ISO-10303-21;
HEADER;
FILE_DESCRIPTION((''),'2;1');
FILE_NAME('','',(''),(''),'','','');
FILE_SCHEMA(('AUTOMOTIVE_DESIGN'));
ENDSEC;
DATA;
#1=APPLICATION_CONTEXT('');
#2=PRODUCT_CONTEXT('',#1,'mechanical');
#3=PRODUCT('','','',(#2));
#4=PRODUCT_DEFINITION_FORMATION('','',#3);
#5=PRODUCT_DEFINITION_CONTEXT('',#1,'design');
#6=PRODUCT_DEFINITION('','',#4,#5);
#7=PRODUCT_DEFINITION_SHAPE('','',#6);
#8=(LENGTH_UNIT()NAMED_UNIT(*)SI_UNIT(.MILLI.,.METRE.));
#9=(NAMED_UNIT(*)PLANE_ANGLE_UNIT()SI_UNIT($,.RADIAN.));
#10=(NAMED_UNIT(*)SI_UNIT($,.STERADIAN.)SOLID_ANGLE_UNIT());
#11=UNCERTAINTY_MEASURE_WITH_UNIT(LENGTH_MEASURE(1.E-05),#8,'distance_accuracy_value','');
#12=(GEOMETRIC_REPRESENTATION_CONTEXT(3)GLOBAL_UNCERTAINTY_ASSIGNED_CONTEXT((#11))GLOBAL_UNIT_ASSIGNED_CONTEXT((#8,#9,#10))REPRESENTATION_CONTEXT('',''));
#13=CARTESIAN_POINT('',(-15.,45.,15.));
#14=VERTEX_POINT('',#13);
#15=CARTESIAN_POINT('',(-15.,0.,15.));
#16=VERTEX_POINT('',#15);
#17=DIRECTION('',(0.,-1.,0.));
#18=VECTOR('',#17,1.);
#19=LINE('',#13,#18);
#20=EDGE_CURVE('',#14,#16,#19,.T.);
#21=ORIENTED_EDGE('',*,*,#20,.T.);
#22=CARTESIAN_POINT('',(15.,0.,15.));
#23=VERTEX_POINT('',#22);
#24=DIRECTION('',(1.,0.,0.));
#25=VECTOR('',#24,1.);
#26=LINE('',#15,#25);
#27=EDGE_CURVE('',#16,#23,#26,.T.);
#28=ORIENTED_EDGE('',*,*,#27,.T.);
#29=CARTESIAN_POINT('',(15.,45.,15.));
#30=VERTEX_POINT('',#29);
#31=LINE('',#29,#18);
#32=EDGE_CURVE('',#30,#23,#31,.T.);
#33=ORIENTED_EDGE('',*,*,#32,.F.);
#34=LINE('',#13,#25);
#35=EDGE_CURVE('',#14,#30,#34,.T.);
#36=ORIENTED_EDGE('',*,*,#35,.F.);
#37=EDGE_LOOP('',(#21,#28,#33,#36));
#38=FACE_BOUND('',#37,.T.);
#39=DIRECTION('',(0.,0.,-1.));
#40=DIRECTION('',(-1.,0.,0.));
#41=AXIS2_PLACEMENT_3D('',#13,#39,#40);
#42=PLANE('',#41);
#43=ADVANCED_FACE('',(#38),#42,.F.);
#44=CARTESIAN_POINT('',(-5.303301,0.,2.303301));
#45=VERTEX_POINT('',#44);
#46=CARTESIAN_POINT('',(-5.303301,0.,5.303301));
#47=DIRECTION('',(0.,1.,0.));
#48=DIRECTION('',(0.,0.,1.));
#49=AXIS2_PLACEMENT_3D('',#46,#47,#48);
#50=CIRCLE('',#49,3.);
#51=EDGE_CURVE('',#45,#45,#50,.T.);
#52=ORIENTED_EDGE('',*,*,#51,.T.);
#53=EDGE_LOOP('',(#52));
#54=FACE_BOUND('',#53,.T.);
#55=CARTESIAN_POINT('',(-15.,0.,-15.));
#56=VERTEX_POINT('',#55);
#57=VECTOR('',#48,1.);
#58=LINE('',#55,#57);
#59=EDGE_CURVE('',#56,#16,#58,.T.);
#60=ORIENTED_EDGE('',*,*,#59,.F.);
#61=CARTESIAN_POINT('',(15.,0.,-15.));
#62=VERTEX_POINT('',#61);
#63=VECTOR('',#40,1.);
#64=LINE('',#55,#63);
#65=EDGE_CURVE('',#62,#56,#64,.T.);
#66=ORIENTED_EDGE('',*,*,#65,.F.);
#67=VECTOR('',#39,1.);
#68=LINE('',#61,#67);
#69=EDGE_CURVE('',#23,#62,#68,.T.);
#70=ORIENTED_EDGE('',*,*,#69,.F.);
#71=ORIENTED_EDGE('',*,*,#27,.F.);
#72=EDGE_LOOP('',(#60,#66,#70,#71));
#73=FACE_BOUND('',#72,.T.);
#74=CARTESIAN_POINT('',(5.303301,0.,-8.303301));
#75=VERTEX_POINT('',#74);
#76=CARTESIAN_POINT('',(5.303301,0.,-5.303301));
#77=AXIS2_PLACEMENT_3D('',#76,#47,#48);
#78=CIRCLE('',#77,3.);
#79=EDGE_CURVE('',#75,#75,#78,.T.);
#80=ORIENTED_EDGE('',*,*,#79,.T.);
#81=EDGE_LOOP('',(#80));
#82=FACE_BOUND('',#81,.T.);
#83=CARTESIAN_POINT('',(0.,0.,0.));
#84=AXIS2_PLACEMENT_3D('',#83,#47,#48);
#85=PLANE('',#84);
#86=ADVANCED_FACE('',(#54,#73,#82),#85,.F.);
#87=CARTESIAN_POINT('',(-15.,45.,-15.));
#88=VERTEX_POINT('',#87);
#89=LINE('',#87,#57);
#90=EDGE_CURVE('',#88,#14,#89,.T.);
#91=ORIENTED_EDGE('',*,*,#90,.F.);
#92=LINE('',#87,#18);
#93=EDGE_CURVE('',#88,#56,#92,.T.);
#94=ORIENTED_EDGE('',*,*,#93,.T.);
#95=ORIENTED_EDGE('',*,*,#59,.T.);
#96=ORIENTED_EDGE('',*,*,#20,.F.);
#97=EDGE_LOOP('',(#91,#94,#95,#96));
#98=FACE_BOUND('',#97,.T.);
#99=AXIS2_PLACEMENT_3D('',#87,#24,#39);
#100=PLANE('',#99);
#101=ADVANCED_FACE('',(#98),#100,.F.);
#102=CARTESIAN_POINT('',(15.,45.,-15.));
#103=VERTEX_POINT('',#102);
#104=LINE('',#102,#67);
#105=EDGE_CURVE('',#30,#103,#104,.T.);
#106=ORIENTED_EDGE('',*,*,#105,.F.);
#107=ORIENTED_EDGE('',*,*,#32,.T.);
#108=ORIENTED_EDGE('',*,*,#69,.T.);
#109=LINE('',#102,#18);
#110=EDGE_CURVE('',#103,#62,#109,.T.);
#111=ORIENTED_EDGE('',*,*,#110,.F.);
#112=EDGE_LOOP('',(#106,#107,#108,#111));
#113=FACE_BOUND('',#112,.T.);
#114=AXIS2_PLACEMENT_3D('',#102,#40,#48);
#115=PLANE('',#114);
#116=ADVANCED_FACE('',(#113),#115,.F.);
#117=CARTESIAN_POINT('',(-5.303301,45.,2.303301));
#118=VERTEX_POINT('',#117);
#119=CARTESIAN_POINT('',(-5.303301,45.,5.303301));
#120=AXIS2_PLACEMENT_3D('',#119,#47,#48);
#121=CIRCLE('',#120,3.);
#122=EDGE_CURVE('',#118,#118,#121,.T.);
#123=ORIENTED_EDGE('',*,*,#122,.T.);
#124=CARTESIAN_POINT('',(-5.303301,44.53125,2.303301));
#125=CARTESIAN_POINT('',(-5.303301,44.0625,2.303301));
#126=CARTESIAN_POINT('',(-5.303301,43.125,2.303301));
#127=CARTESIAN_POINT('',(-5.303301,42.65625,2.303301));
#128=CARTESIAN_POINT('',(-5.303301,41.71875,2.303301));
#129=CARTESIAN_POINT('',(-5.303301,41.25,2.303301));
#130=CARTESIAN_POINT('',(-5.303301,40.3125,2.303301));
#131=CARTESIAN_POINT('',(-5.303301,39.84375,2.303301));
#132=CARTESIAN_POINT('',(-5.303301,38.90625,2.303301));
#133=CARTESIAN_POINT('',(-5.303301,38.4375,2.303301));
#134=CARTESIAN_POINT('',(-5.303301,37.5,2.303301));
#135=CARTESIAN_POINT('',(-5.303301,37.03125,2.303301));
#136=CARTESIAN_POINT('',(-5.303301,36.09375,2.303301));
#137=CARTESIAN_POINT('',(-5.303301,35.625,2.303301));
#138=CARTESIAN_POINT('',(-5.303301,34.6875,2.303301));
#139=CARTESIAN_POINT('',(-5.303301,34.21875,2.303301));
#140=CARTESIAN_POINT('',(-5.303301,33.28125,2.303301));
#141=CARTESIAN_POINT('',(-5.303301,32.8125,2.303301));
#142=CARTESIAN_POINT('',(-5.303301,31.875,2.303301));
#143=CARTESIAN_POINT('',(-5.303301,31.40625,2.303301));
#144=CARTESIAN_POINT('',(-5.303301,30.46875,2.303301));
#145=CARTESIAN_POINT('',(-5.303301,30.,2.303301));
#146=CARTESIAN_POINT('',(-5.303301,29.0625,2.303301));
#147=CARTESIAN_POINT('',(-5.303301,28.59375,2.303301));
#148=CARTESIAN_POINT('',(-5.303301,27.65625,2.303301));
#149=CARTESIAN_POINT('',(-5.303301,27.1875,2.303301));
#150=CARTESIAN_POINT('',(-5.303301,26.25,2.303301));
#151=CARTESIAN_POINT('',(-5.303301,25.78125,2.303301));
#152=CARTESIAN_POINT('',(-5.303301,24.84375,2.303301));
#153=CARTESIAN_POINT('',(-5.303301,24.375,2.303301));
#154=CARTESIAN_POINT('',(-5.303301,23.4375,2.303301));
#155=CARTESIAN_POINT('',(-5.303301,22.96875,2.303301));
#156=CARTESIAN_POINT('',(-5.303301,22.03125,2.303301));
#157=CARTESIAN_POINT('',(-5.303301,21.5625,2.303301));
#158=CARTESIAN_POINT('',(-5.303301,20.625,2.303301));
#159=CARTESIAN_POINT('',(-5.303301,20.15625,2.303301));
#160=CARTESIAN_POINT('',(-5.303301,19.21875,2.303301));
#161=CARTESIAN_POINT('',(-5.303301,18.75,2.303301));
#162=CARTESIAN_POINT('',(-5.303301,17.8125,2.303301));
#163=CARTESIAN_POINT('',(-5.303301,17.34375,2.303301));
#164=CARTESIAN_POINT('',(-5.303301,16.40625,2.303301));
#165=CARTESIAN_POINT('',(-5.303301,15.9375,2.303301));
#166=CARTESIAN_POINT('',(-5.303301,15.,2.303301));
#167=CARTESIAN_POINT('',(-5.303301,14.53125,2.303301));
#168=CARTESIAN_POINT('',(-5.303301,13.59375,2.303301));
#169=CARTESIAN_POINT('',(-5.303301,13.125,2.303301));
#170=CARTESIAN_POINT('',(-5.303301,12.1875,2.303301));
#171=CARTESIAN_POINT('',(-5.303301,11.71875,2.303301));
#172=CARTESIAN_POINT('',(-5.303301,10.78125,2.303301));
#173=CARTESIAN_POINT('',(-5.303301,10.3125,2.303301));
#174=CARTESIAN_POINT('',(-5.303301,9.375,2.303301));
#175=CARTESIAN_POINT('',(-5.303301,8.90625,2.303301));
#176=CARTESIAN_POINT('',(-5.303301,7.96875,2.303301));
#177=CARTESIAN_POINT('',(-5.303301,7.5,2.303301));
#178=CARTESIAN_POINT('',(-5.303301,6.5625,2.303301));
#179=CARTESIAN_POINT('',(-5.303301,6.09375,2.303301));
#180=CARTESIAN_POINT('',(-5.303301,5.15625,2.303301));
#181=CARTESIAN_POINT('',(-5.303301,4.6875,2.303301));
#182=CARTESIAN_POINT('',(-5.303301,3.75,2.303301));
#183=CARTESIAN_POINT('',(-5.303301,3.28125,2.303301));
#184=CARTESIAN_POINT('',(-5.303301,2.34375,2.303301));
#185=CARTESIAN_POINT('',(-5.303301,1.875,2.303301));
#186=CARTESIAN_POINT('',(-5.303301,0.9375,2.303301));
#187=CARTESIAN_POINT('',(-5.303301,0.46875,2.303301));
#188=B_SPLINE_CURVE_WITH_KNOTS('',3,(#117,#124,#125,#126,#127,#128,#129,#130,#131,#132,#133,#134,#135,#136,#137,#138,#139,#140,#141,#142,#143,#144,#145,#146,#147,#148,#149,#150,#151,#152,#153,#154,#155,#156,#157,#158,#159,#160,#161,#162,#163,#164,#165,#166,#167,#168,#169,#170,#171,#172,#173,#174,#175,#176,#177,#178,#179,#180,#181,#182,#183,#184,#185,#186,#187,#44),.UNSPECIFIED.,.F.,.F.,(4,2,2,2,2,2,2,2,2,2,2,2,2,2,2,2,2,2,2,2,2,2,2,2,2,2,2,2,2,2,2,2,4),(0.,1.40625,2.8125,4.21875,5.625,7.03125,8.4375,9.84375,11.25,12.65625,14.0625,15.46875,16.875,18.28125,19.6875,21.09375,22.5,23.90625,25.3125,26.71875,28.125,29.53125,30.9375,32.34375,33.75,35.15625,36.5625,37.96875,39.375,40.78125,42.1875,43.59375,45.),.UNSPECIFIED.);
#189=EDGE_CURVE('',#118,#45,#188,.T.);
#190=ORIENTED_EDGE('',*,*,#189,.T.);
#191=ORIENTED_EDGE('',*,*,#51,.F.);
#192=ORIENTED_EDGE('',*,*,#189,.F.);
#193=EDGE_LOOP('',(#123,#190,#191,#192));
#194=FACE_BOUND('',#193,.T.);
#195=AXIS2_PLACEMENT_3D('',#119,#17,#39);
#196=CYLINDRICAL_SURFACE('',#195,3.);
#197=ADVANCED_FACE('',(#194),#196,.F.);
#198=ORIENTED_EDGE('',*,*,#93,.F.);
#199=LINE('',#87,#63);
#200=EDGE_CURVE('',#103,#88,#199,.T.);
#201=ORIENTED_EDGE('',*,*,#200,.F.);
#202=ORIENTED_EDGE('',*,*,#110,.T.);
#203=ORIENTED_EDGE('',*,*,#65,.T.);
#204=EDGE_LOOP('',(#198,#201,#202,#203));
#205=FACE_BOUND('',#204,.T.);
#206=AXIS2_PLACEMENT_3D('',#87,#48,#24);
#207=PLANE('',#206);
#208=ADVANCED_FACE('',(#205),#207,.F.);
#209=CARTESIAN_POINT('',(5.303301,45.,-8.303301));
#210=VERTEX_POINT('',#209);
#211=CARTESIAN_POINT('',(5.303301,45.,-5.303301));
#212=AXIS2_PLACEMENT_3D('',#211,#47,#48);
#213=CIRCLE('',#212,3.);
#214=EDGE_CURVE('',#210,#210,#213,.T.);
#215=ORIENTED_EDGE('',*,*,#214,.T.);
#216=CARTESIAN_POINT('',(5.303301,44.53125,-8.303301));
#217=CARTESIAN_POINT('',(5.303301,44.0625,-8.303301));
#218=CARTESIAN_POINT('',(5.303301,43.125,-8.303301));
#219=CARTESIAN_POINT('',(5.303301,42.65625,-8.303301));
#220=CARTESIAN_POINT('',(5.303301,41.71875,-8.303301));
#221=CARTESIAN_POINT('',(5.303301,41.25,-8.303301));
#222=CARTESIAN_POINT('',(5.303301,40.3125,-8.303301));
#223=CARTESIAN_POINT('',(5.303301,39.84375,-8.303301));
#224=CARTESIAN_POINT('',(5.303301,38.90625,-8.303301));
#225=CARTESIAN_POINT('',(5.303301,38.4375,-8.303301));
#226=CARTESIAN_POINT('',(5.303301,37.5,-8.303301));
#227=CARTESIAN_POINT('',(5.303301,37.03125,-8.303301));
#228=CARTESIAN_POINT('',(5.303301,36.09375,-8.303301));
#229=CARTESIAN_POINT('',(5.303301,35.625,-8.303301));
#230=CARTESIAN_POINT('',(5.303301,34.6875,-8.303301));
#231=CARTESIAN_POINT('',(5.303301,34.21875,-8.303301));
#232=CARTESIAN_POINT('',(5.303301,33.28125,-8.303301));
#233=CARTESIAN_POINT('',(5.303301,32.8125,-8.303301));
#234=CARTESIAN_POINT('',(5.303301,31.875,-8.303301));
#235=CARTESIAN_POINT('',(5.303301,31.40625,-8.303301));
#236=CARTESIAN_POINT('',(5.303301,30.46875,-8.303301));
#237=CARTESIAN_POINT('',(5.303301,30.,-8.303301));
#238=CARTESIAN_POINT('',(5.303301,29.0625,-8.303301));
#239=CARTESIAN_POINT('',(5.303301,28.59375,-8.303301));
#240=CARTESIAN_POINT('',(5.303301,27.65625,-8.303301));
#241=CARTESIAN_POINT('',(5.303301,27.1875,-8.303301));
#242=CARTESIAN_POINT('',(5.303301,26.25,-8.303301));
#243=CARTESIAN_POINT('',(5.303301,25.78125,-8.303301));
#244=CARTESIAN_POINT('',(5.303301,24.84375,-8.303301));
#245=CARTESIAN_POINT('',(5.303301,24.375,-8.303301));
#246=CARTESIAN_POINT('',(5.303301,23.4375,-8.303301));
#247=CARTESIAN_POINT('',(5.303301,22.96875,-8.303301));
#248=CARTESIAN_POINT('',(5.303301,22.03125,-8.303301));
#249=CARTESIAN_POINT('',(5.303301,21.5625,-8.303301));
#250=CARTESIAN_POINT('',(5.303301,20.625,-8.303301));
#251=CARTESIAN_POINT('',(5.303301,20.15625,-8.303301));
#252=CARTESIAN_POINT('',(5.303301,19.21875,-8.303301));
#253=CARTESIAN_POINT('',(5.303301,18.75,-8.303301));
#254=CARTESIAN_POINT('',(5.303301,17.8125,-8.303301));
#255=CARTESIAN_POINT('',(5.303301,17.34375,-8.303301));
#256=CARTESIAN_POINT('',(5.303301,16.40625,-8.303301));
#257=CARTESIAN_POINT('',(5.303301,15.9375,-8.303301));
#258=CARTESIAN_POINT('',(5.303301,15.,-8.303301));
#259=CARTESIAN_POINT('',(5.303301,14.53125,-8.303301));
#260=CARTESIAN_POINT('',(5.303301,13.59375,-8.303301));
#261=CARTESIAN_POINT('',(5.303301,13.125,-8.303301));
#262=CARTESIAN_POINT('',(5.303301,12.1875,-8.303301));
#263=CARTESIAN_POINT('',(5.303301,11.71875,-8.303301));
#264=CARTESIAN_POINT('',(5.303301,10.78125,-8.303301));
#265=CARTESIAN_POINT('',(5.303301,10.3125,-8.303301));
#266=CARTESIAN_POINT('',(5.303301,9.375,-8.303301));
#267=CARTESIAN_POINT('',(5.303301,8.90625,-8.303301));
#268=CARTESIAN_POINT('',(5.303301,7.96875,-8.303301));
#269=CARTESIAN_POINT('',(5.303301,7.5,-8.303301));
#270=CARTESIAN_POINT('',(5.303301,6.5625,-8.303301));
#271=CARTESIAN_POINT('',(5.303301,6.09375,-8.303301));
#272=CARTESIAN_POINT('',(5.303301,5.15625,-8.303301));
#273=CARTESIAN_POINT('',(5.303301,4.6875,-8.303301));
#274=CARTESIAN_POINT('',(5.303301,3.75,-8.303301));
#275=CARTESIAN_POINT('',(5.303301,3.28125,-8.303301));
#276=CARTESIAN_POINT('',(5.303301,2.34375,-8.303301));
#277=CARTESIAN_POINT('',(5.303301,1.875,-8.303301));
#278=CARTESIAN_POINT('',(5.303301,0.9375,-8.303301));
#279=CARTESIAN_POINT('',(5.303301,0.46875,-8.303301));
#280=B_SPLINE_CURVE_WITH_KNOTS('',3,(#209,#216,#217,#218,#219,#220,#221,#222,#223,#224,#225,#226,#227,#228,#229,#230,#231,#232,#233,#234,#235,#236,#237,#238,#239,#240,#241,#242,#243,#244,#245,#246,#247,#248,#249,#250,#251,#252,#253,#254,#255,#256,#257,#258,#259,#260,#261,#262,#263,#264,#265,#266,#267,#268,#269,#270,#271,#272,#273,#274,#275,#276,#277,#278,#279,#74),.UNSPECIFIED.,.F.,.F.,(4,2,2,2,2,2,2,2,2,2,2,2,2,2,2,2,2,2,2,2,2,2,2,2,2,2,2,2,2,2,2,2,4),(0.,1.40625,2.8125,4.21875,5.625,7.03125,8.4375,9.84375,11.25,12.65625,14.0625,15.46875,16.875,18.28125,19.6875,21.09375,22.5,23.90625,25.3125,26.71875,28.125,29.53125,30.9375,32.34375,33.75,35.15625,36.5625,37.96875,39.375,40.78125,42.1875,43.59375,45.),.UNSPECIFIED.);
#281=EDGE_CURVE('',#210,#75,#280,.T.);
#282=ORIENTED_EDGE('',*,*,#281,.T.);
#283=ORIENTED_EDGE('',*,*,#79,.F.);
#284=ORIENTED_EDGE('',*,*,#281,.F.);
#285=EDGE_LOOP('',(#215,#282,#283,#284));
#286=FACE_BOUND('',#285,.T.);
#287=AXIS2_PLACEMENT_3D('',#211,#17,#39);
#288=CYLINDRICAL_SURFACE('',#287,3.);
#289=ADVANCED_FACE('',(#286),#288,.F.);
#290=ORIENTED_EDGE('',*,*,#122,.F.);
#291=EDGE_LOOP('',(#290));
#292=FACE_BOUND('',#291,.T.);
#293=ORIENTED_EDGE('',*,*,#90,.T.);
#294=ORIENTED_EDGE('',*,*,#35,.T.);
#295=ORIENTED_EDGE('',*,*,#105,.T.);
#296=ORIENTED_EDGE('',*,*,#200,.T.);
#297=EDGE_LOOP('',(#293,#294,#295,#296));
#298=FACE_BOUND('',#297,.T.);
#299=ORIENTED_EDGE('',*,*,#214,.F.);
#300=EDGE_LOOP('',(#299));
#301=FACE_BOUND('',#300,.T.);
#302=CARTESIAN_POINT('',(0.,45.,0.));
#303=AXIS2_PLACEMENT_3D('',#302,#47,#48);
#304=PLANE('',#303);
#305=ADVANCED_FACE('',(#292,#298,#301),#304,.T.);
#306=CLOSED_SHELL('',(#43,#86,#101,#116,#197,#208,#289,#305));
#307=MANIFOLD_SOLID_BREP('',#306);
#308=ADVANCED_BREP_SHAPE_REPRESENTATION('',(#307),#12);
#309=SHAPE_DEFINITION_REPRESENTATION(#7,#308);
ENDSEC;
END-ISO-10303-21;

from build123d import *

# Parameters (mm, degrees)
SKETCH1_W           = 30
SKETCH1_H           = 30
SKETCH1_R           = 3
BOSS_EXTRUDE1_DEPTH = 45


with BuildPart() as part:
    # Sketch1 → Boss-Extrude1 (new body)
    with BuildSketch(Plane(origin=(0, 0, 0), x_dir=(1, 0, 0), z_dir=(0, 1, 0))):
        Rectangle(SKETCH1_W, SKETCH1_H)
        with Locations(Location((-5.303300859, -5.303300859, 0), (0, 0, 90))):
            Circle(SKETCH1_R, mode=Mode.SUBTRACT)
        with Locations(Location((5.303300859, 5.303300859, 0), (0, 0, 90))):
            Circle(SKETCH1_R, mode=Mode.SUBTRACT)
    extrude(amount=BOSS_EXTRUDE1_DEPTH)


solid = part.part
